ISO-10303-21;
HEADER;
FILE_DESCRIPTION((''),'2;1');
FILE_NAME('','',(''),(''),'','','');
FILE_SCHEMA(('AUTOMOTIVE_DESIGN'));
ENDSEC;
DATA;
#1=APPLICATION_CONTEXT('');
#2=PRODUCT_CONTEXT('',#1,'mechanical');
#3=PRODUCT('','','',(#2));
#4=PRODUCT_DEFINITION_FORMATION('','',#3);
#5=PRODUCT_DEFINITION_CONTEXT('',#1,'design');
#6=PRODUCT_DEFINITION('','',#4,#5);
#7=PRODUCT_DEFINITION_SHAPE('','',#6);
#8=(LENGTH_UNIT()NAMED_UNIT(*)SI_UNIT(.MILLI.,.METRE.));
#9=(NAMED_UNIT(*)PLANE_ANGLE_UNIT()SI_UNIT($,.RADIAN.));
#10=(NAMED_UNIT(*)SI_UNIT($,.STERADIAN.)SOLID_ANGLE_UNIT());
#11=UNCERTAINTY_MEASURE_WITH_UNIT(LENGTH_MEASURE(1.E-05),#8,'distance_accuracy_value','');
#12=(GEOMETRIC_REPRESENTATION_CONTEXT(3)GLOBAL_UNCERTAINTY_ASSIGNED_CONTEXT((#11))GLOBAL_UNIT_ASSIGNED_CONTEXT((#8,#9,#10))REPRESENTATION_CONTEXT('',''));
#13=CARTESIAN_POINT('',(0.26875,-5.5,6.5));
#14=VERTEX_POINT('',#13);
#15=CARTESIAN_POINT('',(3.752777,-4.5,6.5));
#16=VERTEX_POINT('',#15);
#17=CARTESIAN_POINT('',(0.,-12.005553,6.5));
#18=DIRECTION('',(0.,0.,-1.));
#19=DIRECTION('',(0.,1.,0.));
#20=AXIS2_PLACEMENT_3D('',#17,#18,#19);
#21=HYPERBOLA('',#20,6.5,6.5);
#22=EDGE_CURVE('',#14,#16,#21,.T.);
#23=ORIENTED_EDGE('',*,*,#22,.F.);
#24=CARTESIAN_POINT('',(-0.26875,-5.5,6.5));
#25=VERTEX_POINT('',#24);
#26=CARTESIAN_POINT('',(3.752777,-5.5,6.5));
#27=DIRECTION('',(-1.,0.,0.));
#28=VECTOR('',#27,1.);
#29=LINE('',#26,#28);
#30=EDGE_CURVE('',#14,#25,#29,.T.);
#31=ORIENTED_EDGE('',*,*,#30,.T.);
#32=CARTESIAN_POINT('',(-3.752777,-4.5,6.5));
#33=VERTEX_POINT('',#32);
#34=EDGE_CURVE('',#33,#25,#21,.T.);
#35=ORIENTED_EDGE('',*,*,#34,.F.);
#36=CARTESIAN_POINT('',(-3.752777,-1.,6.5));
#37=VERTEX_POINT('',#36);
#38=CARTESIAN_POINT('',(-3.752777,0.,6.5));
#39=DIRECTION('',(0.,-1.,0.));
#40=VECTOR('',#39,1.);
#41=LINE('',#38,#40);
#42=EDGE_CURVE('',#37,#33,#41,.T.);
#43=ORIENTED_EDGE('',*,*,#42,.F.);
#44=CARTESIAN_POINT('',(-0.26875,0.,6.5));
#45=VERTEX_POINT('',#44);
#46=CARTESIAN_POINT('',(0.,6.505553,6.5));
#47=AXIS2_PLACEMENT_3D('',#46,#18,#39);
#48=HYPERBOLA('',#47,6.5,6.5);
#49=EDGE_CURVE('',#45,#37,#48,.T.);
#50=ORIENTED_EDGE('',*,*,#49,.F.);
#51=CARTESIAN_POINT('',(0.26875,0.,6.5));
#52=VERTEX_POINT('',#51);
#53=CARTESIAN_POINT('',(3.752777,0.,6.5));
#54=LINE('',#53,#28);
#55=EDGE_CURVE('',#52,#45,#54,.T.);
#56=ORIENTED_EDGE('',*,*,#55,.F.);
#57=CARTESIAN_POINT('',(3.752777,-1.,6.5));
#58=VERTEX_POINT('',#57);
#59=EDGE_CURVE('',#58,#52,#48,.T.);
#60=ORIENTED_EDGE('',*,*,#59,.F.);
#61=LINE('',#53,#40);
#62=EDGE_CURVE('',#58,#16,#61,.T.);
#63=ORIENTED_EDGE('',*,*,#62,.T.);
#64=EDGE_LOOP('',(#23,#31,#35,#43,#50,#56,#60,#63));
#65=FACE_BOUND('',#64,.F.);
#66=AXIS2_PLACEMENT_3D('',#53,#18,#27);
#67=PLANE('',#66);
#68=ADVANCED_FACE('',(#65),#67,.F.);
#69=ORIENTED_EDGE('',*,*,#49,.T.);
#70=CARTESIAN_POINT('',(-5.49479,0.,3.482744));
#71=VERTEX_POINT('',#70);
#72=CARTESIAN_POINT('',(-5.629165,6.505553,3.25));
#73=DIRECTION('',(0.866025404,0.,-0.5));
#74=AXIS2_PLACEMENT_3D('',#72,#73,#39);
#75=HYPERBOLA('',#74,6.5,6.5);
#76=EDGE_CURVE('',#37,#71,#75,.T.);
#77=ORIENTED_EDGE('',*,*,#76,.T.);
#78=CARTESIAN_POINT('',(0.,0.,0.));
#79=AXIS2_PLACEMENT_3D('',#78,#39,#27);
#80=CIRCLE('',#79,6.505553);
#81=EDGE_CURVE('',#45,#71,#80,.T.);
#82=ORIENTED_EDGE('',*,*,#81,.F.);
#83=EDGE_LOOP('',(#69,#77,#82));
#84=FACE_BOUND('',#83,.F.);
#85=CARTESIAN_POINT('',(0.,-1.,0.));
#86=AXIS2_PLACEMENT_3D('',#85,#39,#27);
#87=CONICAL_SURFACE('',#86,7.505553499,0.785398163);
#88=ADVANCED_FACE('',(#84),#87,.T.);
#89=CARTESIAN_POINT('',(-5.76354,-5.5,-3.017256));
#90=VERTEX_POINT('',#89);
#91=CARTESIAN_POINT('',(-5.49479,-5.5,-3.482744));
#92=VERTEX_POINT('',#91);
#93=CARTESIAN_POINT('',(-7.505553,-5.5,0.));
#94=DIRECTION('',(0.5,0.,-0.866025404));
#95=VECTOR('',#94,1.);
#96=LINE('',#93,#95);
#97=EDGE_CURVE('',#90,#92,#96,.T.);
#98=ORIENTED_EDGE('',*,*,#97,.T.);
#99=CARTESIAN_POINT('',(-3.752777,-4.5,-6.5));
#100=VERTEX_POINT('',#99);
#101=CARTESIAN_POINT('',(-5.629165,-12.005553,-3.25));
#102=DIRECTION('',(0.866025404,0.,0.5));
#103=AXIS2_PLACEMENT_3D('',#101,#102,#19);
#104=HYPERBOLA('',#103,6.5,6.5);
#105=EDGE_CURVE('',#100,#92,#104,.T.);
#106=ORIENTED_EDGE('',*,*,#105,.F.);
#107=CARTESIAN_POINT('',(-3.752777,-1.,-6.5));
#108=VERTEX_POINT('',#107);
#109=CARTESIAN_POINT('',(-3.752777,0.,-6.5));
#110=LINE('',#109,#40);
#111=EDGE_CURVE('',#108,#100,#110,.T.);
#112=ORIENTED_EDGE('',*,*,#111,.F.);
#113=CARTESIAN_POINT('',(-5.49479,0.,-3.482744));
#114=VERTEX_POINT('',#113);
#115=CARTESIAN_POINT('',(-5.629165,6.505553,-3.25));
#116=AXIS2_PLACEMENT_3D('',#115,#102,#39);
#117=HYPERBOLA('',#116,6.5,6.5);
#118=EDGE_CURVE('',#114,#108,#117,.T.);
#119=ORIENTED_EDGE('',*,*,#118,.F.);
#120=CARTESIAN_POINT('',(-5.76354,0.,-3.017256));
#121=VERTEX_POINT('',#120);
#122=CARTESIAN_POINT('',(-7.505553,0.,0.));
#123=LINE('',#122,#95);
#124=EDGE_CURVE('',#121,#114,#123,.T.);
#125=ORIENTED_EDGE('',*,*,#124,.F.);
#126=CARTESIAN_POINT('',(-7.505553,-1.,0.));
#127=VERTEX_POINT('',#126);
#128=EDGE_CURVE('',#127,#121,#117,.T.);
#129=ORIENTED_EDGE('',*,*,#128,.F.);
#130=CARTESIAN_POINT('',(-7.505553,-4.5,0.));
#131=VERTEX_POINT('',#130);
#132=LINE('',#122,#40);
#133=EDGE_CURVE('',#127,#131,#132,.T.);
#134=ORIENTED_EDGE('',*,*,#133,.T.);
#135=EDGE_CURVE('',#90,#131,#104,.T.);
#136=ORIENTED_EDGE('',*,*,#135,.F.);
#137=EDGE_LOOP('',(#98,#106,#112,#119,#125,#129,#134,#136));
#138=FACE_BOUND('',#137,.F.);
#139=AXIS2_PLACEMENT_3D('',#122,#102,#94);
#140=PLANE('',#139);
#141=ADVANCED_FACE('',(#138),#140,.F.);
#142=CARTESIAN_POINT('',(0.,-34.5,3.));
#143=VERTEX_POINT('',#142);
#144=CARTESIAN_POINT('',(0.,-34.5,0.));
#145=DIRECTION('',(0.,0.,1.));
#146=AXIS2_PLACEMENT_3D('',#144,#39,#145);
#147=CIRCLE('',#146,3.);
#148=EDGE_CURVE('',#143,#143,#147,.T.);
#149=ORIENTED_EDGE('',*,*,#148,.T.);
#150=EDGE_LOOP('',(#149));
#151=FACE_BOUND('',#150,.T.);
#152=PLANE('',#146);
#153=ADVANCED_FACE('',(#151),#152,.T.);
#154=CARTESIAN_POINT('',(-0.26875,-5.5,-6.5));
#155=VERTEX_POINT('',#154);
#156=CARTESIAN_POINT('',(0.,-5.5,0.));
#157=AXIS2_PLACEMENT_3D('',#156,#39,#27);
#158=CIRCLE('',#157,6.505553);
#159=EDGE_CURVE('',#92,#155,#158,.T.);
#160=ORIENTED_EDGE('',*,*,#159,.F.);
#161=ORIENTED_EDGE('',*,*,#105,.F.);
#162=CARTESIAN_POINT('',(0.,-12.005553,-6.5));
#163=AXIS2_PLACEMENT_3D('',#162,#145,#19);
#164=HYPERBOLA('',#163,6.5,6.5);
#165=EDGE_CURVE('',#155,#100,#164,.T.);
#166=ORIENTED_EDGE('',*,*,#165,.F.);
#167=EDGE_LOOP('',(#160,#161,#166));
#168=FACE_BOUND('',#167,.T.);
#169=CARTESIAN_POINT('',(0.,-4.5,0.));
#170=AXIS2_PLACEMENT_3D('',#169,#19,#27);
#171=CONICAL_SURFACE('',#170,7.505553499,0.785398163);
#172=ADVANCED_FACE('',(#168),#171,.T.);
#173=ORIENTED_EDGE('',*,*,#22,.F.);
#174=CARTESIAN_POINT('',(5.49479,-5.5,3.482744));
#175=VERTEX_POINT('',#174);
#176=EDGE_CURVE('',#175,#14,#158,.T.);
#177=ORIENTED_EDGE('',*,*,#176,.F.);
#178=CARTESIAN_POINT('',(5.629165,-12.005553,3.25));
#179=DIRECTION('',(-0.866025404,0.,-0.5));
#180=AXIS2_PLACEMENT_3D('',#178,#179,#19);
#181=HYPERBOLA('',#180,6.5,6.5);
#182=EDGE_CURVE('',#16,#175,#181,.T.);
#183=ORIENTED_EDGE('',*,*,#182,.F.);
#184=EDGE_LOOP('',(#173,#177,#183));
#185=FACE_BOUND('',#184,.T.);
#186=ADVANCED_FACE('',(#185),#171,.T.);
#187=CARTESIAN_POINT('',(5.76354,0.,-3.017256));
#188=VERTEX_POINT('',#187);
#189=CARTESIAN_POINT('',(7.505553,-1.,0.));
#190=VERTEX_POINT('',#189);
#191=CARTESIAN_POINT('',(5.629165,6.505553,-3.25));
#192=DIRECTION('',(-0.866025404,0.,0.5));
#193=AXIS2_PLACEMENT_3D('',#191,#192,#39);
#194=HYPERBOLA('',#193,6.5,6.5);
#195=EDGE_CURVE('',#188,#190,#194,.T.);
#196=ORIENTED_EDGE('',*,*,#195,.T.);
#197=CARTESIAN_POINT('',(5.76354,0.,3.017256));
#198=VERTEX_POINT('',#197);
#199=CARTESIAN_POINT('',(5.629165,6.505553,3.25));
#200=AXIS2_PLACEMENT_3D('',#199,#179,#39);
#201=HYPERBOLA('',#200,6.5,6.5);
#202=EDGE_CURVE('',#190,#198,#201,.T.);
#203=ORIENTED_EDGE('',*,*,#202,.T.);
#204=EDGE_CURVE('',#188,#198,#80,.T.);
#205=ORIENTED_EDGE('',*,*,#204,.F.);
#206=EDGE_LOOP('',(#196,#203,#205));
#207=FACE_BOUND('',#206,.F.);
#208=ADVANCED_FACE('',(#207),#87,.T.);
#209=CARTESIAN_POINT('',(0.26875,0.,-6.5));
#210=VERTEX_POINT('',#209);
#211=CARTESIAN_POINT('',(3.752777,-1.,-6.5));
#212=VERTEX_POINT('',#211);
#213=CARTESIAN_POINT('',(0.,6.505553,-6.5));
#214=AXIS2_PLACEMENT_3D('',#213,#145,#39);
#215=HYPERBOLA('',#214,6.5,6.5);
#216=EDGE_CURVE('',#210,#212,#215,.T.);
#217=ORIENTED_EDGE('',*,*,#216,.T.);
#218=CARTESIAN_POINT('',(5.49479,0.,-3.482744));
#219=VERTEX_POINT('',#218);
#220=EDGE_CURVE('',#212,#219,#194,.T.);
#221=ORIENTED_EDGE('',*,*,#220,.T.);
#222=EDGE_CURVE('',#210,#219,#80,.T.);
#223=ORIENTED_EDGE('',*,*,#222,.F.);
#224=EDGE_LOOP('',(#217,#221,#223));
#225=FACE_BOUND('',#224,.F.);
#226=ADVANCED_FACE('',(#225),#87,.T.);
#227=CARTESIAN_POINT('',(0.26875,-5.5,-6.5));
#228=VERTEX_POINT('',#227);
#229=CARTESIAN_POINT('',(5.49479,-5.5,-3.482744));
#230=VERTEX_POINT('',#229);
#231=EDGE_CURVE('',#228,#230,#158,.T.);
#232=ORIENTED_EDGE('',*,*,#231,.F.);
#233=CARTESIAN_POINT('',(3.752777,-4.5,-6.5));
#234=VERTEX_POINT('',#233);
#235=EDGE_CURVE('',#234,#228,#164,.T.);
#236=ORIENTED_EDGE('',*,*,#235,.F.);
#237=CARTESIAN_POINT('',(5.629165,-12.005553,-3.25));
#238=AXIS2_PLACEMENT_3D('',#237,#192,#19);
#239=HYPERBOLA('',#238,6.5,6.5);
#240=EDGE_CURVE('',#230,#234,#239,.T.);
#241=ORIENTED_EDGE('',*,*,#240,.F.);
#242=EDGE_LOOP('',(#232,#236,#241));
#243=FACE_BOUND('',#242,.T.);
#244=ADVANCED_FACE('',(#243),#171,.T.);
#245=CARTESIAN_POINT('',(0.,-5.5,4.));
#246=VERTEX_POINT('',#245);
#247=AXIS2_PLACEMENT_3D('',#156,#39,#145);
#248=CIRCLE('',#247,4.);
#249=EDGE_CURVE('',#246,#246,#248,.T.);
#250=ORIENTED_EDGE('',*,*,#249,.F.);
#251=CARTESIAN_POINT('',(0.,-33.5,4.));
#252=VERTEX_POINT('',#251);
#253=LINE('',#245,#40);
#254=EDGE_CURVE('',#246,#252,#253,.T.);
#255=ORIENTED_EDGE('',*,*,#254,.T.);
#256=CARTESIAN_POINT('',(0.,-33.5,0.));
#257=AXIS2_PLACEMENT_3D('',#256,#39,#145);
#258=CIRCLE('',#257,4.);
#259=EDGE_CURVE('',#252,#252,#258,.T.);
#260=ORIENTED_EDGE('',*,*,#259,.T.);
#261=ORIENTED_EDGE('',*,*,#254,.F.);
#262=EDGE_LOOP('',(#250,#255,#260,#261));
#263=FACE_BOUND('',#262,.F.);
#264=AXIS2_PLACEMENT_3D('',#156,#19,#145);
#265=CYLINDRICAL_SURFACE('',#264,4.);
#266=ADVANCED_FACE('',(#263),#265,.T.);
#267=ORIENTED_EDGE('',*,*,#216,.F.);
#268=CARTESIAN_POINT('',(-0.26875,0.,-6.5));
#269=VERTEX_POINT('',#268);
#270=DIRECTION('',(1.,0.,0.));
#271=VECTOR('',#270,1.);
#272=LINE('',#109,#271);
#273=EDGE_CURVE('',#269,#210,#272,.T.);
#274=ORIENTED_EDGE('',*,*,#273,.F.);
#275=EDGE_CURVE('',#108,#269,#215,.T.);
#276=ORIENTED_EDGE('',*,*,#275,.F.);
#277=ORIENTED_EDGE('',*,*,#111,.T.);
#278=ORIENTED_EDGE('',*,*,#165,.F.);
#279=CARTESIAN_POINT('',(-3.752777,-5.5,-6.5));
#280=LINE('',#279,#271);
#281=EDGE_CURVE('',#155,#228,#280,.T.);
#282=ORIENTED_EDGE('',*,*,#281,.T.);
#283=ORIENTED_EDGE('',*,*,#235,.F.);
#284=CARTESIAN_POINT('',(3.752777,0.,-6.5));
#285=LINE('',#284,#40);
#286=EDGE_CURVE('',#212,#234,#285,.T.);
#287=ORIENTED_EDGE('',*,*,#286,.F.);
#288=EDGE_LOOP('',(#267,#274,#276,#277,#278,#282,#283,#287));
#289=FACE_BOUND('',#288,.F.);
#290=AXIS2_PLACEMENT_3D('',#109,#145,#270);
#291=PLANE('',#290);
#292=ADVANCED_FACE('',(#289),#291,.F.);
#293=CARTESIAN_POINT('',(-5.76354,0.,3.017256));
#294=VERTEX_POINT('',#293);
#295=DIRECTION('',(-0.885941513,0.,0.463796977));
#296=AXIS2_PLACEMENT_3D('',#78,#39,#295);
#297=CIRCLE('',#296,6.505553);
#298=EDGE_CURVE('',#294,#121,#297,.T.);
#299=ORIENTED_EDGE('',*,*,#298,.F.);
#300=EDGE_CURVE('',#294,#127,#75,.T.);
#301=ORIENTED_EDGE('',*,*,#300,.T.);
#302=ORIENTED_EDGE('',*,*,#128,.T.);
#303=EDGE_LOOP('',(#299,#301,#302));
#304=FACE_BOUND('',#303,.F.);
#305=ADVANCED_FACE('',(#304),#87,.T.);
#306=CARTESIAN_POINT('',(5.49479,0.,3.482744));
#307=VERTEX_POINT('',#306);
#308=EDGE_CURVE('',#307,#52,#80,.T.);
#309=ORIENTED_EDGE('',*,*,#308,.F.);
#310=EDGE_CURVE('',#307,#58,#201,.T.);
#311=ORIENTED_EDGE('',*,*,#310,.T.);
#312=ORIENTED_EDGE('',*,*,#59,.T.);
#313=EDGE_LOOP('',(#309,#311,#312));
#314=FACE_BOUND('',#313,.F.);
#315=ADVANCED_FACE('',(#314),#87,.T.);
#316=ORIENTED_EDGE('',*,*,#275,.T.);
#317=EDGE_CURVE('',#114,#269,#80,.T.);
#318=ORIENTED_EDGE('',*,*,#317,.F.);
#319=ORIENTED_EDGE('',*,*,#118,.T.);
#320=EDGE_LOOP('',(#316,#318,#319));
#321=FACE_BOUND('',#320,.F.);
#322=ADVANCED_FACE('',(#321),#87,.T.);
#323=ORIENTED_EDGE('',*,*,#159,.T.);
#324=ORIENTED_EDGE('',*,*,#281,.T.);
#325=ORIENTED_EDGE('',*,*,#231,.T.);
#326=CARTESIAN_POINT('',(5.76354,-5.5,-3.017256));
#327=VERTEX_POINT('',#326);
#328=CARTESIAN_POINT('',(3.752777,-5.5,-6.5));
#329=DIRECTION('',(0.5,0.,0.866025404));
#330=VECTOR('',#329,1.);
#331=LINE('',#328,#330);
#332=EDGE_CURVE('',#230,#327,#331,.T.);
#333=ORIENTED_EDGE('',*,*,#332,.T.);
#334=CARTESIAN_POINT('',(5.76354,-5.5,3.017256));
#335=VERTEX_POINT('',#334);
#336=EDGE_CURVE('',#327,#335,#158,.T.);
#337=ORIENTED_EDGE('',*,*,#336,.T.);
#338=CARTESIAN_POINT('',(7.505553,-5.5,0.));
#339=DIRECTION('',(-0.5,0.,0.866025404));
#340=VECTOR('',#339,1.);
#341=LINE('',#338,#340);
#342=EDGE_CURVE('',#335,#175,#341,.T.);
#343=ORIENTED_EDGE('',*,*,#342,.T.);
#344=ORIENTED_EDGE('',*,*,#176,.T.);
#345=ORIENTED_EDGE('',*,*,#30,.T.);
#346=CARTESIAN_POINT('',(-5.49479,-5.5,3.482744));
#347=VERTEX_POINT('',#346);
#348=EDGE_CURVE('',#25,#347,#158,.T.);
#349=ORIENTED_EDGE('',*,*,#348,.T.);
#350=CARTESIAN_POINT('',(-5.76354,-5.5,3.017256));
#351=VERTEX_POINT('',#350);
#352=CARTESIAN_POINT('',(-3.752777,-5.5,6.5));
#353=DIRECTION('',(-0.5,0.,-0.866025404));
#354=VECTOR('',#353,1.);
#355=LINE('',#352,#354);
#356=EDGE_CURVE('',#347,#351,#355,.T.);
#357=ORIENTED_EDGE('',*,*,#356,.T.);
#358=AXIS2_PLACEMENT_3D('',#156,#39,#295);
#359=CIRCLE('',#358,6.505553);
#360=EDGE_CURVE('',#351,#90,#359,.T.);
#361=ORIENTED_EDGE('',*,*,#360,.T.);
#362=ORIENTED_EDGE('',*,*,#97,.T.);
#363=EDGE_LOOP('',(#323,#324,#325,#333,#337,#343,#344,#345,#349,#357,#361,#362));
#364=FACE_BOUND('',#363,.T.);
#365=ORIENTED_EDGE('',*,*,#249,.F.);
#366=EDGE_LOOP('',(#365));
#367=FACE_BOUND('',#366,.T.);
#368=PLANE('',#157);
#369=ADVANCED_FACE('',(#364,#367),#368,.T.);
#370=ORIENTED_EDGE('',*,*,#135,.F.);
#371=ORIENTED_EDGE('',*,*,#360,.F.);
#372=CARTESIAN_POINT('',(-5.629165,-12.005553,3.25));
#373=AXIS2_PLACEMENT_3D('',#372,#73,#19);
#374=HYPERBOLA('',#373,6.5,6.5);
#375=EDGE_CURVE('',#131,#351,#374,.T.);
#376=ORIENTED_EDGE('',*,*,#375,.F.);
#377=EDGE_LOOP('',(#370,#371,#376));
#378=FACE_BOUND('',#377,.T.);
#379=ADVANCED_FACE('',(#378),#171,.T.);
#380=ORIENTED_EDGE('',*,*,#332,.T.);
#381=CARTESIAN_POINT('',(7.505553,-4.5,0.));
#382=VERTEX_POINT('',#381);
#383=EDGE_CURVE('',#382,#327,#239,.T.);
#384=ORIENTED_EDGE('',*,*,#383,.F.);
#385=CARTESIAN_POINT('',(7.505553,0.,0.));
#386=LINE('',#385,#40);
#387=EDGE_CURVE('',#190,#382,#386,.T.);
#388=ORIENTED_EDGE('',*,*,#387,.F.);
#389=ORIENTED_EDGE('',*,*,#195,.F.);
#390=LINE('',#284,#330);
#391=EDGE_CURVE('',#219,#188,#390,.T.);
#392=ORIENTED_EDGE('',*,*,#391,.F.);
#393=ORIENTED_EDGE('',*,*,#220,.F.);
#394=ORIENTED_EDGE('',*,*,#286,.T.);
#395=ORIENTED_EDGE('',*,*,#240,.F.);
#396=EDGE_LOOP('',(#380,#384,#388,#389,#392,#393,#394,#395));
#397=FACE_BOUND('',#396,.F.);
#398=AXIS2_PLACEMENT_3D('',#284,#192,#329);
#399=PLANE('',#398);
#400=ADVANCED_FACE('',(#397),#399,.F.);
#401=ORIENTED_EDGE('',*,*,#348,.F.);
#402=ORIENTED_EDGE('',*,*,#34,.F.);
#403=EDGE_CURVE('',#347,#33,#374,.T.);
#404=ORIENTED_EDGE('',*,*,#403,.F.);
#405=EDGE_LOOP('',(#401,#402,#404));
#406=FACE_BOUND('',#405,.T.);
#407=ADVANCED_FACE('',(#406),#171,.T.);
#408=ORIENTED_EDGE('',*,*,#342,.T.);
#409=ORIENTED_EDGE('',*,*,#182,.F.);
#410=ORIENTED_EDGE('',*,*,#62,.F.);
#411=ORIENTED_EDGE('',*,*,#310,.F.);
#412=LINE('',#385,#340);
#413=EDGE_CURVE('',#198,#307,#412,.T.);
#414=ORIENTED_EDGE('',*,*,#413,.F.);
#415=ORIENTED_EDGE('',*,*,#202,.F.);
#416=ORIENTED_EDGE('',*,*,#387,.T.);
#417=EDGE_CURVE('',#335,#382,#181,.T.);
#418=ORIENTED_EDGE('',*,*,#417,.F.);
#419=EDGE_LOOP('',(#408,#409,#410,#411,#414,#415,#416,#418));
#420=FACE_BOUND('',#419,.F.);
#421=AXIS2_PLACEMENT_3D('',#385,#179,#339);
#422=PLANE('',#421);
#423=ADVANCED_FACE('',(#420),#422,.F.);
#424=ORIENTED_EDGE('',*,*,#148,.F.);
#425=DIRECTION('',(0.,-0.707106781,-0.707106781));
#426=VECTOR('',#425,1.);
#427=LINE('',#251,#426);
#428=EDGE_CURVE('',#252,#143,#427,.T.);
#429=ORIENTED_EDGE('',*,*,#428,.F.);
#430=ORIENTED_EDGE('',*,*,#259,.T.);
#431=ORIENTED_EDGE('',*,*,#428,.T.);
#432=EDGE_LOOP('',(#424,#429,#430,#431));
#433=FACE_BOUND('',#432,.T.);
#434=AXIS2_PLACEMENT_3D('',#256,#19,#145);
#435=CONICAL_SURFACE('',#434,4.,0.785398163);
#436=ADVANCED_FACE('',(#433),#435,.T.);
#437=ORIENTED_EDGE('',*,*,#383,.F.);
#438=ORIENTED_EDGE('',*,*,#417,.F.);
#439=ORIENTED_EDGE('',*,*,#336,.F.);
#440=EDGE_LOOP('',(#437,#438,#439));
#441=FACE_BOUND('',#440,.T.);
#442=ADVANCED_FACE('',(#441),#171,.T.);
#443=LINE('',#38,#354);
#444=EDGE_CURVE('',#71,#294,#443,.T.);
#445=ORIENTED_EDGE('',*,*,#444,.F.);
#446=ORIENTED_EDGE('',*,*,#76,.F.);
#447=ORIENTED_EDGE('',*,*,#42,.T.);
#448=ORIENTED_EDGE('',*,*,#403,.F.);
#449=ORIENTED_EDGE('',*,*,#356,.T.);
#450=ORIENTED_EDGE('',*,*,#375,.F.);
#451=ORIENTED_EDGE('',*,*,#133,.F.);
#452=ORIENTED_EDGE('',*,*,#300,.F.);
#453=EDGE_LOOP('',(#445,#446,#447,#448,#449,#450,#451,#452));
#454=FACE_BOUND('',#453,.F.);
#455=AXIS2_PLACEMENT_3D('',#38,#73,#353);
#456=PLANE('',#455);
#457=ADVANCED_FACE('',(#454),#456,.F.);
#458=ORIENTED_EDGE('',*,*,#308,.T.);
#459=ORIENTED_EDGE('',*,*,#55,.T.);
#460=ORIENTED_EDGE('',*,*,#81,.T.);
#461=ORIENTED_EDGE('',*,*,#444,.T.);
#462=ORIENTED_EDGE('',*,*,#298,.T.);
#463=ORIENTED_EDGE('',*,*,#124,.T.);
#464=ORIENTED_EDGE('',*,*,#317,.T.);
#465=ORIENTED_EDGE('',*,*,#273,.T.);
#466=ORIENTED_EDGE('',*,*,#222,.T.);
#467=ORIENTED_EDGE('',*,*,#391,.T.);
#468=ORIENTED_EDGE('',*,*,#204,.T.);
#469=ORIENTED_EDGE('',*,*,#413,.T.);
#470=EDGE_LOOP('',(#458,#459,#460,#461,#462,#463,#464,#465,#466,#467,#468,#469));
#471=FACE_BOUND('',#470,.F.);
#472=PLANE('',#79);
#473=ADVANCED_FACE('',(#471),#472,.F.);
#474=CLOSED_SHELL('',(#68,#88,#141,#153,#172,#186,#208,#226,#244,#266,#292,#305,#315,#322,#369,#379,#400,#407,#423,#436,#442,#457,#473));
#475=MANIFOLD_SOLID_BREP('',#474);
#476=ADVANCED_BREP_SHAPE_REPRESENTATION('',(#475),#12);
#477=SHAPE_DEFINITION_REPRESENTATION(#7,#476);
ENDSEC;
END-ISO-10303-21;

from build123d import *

# Parameters (mm, degrees)
EXTRUDE_1_DEPTH = 5.5
SKETCH_5_R      = 4
EXTRUDE_2_DEPTH = 29
CHAMFER_1_SIZE  = 1


with BuildPart() as part:
    # Эскиз1 → Вытянуть1 (new body)
    with BuildSketch(Plane(origin=(0, 0, 0), x_dir=(1, 0, 0), z_dir=(0, 1, 0))):
        Polygon((-3.75277675, 6.5), (3.75277675, 6.5), (7.505553499, 0), (3.75277675, -6.5), (-3.75277675, -6.5), (-7.505553499, 0), align=None)
    extrude(amount=-EXTRUDE_1_DEPTH)

    # Эскиз5 → Вытянуть2 (add)
    with BuildSketch(Plane.XZ.offset(5.5)):
        with Locations(Location((0, 0, 0), (0, 0, 90))):
            Circle(SKETCH_5_R)
    extrude(amount=EXTRUDE_2_DEPTH)

    # Фаска1
    chamfer_1_edges = [part.edges().sort_by_distance(p)[0] for p in [
        (0, -34.5, -4),
    ]]
    chamfer(chamfer_1_edges, length=CHAMFER_1_SIZE)

    # Эскиз4 → Вырез-Повернуть1 (revolve, cut)
    with BuildSketch(Plane.XY):
        Polygon((-7.505553499, -1), (-6.505553499, 0), (-7.505553499, 0), align=None)
        Polygon((-7.505553499, -4.5), (-6.505553499, -5.5), (-7.505553499, -5.5), align=None)
    revolve(axis=Axis((0, -5.5, 0), (0, -1, 0)), mode=Mode.SUBTRACT)


solid = part.part
